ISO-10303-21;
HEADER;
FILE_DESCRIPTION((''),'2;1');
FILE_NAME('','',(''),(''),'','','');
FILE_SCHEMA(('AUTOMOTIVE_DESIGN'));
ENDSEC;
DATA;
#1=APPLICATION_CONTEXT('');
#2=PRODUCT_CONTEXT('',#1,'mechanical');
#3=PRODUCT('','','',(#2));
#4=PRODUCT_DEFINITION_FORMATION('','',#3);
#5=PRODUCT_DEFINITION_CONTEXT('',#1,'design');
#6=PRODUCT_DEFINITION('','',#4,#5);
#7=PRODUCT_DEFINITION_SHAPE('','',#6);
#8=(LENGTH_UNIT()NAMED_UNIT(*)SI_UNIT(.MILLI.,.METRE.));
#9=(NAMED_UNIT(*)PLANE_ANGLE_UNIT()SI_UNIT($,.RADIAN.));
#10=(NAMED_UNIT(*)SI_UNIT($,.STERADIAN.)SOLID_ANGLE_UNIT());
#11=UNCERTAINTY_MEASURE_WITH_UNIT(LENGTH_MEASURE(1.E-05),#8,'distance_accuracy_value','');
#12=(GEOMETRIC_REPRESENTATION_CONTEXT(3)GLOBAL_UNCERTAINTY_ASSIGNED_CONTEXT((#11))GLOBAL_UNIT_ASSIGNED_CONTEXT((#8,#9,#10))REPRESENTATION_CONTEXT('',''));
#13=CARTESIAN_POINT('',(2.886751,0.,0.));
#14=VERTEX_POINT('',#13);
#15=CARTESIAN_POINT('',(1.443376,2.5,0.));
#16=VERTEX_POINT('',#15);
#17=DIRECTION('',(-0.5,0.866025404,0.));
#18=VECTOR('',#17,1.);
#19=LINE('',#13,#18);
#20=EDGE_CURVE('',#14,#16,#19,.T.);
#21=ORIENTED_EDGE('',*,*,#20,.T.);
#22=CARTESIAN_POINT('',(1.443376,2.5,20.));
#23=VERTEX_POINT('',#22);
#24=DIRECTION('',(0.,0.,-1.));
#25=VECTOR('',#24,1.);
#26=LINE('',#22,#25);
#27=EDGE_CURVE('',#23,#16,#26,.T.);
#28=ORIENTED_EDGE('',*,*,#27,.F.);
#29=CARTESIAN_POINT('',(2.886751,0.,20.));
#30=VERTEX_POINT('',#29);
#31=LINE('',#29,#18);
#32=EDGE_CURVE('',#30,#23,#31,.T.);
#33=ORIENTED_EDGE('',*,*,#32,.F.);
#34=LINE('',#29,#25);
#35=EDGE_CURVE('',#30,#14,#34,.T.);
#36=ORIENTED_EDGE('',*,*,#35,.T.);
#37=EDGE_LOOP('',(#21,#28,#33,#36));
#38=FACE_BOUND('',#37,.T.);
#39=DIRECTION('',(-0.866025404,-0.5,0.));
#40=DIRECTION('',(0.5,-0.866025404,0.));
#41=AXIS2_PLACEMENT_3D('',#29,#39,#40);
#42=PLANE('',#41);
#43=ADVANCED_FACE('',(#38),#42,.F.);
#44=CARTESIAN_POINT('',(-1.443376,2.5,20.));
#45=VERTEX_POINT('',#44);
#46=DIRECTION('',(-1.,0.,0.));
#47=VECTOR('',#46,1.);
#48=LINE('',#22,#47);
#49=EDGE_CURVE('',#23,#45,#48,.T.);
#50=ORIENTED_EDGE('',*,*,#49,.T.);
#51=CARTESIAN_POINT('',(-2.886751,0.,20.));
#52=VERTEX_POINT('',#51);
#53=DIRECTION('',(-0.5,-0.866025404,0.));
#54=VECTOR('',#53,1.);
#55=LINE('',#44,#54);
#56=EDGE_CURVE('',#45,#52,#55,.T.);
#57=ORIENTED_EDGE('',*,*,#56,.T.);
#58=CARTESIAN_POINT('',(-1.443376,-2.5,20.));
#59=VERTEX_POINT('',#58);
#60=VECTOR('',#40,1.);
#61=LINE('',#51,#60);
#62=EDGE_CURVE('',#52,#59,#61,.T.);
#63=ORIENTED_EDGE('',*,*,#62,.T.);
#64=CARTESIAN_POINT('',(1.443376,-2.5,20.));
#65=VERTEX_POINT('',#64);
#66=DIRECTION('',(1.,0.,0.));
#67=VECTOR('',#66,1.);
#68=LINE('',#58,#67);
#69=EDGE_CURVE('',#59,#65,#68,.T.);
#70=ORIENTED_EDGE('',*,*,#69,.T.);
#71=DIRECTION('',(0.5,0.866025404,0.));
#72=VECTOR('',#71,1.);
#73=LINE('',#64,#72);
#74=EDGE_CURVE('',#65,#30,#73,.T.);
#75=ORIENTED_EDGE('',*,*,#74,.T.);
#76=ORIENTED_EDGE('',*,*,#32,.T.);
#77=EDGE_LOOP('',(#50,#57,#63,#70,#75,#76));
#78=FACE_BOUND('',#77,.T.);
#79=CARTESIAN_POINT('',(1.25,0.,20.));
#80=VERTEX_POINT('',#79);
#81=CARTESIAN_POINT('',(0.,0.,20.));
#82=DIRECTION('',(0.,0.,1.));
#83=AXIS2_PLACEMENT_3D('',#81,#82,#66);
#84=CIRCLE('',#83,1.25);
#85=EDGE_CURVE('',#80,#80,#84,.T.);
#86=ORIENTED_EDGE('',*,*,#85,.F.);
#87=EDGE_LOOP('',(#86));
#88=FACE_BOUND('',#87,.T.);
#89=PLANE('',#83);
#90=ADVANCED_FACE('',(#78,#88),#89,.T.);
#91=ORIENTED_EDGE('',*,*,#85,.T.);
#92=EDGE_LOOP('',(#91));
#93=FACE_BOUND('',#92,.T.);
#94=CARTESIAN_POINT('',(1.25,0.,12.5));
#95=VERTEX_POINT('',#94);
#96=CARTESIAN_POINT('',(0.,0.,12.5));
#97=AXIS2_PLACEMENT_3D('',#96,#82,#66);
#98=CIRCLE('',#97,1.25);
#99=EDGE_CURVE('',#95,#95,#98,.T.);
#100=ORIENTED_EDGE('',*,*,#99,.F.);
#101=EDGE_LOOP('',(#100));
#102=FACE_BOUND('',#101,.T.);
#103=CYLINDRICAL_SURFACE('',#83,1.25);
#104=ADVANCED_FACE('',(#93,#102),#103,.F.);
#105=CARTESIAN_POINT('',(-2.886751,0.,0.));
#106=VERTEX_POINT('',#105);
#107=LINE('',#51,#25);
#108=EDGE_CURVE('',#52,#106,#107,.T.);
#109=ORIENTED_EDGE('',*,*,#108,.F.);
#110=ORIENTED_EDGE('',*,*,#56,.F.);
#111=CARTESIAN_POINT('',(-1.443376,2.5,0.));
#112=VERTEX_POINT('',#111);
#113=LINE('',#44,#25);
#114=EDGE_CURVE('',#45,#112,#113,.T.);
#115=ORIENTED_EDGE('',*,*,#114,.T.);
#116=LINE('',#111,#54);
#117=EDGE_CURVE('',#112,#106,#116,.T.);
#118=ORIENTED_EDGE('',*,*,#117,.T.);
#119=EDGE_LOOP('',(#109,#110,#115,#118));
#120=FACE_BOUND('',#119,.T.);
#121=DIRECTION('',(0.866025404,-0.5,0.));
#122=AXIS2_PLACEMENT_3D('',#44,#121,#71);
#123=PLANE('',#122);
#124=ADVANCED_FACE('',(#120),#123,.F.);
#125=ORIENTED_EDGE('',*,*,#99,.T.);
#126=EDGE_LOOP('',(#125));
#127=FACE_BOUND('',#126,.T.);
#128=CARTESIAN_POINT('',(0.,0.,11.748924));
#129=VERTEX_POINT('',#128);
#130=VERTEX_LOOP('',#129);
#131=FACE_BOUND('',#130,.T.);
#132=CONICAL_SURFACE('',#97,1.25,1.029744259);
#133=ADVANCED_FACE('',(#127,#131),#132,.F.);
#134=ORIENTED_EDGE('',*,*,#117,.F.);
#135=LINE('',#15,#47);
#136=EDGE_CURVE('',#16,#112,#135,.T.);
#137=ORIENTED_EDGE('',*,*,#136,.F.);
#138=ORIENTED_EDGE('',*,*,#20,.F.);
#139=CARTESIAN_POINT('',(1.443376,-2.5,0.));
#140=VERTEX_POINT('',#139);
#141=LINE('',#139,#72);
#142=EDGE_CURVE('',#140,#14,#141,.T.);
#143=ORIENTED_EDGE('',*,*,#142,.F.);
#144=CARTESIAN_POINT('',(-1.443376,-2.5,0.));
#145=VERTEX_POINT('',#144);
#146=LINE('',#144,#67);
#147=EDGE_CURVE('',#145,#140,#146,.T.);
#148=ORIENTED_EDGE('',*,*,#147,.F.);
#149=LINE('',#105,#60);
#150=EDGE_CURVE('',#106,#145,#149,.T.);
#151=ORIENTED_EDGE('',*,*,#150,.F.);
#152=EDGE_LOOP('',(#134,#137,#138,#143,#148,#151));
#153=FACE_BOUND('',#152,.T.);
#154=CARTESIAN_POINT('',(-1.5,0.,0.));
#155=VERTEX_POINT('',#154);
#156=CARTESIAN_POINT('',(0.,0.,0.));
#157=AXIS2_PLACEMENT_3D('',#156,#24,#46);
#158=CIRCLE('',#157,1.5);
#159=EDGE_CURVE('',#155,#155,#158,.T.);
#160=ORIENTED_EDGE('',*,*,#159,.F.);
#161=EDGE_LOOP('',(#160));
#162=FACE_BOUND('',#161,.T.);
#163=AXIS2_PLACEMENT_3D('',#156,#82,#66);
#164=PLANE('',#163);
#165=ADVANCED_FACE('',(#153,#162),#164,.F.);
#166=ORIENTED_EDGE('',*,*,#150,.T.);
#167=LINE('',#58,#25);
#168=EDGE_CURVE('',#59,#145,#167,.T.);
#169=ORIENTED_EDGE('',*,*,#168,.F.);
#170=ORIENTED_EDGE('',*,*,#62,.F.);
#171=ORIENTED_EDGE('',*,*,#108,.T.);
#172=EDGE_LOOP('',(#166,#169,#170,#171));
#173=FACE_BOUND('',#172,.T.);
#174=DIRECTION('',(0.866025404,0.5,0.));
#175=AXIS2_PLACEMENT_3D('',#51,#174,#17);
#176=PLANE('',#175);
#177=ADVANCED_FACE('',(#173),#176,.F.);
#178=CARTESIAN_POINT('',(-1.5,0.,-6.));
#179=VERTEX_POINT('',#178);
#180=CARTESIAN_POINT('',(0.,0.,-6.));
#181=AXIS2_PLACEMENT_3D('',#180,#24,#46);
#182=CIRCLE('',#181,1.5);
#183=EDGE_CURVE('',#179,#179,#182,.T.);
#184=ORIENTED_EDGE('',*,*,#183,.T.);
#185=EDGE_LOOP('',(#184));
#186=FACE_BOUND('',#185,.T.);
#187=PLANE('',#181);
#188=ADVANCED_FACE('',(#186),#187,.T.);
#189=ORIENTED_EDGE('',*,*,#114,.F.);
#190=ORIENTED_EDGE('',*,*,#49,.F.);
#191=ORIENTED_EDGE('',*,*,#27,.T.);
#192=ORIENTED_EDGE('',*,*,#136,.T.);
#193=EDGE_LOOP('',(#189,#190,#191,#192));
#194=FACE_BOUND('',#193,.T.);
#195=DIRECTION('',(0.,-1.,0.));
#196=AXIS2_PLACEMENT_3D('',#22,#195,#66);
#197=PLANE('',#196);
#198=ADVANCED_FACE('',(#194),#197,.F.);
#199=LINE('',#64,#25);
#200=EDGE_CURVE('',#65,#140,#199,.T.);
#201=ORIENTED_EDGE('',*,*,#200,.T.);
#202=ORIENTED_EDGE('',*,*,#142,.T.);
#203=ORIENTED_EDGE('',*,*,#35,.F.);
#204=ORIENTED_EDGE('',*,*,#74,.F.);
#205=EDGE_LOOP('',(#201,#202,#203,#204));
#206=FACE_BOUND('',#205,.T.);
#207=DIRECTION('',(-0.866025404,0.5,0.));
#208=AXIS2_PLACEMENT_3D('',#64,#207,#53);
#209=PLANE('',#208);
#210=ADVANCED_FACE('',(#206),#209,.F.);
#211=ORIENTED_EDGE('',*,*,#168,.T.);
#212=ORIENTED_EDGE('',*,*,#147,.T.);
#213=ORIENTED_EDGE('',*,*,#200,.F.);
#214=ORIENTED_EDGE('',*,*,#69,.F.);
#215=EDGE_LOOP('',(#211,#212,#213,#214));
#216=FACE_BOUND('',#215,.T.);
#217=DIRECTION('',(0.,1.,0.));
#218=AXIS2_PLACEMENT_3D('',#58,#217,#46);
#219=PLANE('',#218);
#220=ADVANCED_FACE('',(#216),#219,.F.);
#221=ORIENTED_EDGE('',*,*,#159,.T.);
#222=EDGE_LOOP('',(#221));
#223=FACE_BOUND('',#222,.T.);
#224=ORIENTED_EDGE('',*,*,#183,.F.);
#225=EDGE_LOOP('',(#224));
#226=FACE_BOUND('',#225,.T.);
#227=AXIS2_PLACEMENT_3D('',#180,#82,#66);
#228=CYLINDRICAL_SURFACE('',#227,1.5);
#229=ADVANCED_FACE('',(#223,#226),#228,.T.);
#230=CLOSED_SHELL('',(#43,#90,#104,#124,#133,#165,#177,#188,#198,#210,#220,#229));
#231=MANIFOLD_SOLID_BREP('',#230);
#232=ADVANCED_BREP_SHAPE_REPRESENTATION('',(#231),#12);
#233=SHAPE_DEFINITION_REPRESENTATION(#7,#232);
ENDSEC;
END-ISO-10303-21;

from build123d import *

# Parameters (mm, degrees)
EXTRUDE_1_DEPTH = 20
SKETCH_4_R      = 1.5
EXTRUDE_2_DEPTH = 6
M3X0_5_1_D      = 2.5
M3X0_5_1_DEPTH  = 7.5
M3X0_5_1_TIP    = 0.751075774


with BuildPart() as part:
    # 草圖1 → 填料-伸長1 (new body)
    with BuildSketch(Plane.XY):
        Polygon((-1.443375673, 2.5), (-2.886751346, 0), (-1.443375673, -2.5), (1.443375673, -2.5), (2.886751346, 0), (1.443375673, 2.5), align=None)
    extrude(amount=EXTRUDE_1_DEPTH)

    # 草圖4 → 填料-伸長2 (add)
    with BuildSketch(Plane(origin=(0, 0, 0), x_dir=(-1, 0, 0), z_dir=(0, 0, -1))):
        Circle(SKETCH_4_R)
    extrude(amount=EXTRUDE_2_DEPTH)

    # M3x0.5 螺紋孔1
    with Locations(Plane.XY.offset(20)):
        with Locations((0, 0)):
            Hole(M3X0_5_1_D / 2, depth=M3X0_5_1_DEPTH)
            with Locations((0, 0, -(M3X0_5_1_DEPTH + M3X0_5_1_TIP / 2))):  # 118° drill point
                Cone(0, M3X0_5_1_D / 2, M3X0_5_1_TIP, mode=Mode.SUBTRACT)


solid = part.part
